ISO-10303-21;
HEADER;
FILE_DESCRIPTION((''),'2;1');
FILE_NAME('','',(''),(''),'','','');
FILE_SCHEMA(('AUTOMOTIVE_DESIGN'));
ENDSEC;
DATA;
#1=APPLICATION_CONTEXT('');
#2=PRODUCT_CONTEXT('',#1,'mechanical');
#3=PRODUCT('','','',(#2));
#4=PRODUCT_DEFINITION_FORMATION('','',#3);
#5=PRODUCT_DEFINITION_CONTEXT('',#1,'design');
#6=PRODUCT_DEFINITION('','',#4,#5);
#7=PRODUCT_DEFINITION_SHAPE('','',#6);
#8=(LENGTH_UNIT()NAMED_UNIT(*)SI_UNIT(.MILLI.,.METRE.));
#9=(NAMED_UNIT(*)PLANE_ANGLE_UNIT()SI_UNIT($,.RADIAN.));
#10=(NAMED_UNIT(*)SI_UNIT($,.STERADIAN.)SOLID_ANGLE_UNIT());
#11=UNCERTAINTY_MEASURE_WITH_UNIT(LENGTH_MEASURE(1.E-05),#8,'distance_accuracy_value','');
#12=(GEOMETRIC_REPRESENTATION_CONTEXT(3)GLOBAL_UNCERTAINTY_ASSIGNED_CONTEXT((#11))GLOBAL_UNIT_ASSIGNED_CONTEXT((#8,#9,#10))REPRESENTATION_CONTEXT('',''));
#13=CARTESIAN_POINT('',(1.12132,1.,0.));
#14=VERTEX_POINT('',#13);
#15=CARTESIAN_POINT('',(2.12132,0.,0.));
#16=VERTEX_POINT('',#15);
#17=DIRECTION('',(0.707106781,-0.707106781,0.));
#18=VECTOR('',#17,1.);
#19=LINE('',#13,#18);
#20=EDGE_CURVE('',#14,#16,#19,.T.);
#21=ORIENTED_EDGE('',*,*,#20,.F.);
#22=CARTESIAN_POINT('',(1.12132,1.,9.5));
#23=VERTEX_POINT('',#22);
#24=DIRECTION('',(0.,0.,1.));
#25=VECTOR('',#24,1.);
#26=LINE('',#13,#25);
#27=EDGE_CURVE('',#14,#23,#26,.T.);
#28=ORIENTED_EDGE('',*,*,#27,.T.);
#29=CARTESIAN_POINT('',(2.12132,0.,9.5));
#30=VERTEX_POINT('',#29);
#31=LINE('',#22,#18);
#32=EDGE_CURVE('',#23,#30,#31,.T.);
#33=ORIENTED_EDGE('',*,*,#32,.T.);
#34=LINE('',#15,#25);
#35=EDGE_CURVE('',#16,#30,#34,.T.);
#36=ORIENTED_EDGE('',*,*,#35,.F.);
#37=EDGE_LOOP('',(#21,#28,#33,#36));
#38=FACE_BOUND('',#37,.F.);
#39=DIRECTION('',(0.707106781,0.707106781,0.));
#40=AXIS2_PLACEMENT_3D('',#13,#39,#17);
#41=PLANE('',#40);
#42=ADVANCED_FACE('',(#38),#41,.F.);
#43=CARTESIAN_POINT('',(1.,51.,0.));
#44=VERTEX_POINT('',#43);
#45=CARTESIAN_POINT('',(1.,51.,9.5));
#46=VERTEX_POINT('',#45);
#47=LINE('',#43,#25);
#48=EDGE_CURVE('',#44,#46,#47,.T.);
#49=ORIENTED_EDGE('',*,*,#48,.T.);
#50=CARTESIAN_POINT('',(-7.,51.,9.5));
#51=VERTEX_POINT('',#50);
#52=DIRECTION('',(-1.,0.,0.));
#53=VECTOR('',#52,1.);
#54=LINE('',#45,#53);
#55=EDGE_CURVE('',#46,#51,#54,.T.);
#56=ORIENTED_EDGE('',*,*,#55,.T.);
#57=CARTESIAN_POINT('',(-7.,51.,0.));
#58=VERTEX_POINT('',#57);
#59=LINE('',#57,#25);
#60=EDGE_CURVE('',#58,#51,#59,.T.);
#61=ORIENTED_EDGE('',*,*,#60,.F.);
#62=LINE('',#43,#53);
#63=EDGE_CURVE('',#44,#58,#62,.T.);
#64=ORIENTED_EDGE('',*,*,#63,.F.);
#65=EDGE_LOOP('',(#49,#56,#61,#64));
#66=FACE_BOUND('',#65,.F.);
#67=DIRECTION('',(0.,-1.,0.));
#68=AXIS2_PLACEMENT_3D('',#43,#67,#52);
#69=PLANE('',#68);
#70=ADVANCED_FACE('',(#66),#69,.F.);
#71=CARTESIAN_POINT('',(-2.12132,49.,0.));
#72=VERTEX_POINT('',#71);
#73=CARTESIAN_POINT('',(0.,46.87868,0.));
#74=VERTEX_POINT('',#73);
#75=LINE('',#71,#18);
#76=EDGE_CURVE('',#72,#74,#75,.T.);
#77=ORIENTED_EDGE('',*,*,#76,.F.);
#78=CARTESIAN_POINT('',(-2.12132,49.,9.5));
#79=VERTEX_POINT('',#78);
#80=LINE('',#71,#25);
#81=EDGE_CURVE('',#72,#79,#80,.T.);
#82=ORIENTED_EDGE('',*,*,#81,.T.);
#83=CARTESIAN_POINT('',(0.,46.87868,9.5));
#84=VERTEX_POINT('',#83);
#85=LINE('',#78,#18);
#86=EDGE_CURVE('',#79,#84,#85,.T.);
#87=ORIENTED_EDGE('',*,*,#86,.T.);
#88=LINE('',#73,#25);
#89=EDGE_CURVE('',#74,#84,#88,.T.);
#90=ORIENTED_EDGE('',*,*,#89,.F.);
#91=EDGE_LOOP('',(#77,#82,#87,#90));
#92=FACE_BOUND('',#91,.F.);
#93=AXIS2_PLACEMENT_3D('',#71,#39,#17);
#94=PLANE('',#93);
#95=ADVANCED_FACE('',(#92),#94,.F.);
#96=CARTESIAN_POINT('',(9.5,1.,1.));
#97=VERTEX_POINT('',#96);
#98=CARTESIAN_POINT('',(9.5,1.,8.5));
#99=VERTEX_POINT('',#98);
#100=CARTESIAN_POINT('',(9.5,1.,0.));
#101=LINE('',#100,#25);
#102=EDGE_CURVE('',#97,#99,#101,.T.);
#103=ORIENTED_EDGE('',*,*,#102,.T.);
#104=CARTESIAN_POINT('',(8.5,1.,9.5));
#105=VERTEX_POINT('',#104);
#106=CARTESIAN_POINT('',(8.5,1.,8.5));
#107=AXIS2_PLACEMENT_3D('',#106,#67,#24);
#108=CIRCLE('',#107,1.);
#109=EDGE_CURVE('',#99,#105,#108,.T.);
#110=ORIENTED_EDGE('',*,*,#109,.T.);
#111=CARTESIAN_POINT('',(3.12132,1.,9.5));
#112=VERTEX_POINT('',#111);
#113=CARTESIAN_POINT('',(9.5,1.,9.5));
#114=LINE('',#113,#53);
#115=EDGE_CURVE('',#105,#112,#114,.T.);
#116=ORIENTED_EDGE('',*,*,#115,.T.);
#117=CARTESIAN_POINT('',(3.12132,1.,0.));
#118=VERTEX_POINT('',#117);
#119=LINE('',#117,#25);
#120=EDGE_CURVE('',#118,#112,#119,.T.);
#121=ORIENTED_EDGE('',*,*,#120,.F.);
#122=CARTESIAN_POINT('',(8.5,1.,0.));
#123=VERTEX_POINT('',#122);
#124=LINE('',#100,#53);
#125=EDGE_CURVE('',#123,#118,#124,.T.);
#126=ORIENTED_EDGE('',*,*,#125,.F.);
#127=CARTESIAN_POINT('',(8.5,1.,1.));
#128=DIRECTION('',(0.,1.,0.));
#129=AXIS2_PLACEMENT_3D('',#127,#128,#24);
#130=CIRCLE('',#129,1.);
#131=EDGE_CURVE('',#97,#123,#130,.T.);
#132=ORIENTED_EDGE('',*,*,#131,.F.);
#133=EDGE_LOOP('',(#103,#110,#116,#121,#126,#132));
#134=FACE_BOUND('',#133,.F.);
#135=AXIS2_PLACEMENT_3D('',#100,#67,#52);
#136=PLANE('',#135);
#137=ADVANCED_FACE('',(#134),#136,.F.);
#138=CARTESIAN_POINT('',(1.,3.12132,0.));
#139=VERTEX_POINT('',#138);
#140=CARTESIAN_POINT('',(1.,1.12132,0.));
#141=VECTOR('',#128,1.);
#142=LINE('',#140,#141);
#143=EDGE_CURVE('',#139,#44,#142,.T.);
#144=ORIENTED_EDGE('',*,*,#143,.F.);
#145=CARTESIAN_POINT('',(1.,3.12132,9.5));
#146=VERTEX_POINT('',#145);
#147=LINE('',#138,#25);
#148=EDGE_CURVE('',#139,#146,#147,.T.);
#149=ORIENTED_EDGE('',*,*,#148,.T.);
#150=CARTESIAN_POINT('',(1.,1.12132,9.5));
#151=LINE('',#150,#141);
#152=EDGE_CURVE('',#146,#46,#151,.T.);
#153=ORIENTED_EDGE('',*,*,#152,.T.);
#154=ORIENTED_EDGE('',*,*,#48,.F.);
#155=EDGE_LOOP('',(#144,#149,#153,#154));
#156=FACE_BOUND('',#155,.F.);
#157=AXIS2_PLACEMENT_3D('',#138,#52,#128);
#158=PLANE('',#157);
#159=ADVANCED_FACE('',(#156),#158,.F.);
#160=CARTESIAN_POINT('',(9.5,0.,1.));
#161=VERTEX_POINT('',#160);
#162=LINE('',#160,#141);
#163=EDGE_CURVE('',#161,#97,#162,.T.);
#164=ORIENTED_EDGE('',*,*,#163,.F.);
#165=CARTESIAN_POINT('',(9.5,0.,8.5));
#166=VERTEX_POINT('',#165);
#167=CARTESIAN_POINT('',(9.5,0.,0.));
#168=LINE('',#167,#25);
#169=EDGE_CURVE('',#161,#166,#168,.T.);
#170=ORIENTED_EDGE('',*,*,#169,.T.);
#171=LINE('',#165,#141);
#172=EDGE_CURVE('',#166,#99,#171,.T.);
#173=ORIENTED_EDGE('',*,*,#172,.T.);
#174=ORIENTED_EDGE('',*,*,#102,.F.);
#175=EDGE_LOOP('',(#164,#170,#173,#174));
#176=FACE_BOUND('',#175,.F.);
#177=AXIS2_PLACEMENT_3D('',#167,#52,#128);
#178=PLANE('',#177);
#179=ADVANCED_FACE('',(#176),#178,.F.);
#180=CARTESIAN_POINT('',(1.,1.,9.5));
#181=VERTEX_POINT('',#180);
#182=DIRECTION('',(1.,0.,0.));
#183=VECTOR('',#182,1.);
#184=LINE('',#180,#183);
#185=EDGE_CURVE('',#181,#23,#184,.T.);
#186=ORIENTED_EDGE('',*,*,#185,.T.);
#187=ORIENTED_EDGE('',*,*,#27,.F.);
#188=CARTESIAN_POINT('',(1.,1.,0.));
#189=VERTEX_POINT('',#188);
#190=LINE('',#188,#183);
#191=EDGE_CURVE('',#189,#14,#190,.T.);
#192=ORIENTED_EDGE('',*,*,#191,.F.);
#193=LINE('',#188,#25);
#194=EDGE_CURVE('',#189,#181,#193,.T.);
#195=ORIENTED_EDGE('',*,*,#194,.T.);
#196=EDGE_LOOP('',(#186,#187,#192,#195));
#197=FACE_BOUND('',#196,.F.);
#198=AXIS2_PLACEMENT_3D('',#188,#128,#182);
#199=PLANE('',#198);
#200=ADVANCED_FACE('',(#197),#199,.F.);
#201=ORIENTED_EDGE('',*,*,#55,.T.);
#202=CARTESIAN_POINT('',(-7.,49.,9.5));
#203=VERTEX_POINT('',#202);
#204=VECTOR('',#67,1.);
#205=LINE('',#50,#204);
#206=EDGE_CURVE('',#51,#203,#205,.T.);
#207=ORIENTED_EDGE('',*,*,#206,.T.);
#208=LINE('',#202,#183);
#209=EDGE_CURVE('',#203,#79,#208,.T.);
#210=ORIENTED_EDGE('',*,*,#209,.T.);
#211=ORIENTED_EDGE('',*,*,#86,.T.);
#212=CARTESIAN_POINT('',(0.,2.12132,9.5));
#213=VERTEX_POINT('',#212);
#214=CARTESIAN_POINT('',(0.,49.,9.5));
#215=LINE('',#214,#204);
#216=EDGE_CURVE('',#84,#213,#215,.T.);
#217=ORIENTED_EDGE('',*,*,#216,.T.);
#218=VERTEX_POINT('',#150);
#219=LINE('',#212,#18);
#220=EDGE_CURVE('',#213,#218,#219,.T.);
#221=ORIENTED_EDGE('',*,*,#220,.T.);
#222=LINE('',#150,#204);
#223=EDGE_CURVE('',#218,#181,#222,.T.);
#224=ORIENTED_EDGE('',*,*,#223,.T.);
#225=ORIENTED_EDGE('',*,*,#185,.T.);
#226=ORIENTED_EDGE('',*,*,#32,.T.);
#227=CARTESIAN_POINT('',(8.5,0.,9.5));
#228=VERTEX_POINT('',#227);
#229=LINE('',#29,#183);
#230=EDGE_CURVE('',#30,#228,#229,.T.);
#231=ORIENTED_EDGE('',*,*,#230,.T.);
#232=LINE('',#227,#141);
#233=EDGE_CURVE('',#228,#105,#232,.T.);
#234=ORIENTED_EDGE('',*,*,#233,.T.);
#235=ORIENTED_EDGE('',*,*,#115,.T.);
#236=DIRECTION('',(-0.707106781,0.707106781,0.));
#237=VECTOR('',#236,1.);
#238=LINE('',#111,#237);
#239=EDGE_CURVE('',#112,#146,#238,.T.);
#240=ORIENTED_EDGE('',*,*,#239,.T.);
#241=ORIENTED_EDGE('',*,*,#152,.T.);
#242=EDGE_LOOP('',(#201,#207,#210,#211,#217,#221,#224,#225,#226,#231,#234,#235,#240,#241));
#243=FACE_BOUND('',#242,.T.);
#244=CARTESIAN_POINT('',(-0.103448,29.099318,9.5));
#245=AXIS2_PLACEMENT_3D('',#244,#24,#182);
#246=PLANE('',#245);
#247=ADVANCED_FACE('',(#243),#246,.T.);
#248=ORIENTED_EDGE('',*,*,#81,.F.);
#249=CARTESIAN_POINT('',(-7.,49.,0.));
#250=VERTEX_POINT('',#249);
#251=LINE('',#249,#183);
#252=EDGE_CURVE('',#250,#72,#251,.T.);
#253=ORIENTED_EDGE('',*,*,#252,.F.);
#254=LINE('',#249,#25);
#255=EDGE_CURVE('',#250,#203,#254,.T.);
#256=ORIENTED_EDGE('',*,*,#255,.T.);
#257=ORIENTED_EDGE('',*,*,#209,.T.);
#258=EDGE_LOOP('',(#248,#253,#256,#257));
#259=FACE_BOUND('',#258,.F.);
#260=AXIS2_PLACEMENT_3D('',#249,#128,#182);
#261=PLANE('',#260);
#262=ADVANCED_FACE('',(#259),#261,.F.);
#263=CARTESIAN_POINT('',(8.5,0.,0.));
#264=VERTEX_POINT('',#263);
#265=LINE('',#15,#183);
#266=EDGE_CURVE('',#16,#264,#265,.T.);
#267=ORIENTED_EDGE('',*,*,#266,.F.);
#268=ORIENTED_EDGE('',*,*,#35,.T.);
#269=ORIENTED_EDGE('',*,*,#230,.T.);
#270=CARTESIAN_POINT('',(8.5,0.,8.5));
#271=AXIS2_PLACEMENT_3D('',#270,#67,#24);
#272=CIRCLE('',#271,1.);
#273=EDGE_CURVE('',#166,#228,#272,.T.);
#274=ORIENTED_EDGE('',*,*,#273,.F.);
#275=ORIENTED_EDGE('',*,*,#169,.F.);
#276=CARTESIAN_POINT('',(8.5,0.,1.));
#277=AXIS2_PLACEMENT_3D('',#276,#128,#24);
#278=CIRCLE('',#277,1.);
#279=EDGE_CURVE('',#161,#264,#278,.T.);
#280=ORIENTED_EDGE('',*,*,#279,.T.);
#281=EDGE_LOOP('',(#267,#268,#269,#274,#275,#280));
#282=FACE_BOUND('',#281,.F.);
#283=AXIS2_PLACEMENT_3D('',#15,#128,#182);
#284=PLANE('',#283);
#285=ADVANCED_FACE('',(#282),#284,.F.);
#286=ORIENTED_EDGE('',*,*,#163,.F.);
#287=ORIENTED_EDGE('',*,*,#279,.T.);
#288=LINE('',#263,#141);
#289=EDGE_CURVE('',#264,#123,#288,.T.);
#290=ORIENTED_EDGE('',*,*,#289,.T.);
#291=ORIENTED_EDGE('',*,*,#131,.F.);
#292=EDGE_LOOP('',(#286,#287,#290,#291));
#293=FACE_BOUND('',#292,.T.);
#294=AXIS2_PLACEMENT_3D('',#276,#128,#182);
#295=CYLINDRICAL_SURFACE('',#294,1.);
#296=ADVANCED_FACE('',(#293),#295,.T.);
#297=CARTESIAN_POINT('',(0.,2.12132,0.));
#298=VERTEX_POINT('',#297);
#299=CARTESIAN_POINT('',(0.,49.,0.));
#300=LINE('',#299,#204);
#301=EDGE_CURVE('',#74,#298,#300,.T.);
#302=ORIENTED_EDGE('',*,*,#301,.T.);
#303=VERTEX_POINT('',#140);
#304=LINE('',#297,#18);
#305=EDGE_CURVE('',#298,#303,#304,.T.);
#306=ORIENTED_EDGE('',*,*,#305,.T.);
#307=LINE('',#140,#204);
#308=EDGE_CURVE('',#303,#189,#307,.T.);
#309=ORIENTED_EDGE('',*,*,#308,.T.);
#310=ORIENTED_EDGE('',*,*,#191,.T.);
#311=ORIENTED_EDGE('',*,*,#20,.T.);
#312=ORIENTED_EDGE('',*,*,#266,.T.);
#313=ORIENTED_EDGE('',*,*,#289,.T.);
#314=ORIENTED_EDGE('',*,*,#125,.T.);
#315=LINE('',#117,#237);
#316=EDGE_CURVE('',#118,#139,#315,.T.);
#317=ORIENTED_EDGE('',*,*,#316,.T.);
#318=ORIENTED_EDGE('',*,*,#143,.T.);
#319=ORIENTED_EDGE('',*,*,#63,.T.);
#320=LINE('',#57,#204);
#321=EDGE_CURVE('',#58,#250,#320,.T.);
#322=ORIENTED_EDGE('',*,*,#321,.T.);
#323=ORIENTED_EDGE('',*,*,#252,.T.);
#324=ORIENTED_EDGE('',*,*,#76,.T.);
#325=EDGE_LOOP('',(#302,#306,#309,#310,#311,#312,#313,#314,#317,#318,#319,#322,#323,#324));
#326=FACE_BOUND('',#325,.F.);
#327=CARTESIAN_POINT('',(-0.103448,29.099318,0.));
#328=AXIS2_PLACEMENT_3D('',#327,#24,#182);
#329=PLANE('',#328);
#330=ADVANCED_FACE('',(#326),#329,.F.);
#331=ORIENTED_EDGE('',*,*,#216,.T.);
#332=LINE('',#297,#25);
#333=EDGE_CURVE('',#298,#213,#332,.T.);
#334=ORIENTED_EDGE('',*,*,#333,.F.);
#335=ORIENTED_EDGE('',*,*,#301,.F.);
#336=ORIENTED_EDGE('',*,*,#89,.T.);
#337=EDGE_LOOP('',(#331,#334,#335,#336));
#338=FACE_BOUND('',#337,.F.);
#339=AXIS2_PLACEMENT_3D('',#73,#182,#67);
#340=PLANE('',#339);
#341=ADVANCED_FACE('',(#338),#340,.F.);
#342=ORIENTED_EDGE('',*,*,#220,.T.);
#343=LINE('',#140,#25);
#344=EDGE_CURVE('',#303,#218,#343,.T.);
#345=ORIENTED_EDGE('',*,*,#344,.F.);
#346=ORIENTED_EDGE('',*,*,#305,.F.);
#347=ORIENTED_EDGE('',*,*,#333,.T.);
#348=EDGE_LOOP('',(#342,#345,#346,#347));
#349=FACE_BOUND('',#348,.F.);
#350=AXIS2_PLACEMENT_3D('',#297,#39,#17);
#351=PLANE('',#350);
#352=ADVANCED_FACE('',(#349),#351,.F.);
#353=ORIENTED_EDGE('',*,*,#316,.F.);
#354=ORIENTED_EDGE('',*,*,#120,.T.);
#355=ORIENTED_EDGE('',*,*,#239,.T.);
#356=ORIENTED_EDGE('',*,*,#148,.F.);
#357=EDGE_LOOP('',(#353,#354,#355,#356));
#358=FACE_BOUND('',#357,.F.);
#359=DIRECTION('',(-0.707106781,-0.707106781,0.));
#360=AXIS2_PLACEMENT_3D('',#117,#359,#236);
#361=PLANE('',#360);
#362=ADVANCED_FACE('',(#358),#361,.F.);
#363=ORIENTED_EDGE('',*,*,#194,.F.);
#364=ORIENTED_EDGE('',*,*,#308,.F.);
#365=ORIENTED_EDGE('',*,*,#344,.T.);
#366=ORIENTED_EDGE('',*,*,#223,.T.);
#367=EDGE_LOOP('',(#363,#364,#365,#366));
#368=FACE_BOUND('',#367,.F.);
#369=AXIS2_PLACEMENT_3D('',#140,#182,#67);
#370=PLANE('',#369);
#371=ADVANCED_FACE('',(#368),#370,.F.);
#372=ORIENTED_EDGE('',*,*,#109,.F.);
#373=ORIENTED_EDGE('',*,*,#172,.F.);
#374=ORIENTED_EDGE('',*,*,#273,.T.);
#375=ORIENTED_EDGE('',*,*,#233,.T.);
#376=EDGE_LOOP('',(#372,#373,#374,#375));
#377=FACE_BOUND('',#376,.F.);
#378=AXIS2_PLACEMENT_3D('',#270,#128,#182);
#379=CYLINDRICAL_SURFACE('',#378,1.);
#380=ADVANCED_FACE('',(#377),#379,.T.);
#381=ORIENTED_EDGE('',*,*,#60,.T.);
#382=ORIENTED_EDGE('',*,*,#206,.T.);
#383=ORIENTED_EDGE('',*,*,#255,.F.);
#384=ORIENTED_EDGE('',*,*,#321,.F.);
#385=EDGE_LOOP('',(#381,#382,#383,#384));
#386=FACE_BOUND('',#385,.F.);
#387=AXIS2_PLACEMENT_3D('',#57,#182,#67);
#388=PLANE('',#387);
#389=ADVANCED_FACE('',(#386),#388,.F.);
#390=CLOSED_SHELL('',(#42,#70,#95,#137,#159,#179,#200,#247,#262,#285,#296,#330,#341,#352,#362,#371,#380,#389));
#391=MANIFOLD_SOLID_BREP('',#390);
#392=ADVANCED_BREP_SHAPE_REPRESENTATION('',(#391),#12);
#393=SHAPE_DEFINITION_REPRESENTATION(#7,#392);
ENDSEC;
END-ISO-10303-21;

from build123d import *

# Parameters (mm, degrees)
F1_DEPTH = 9.5
F2_R     = 1


with BuildPart() as f1:
    # F0 (on Top) → F1 (new body)
    with BuildSketch(Plane.XY):
        Polygon((-2.12132, 49), (0, 49), (0, 46.87868), (0, 2.12132), (1, 1.12132), (1, 3.12132), (1, 51), (-7, 51), (-7, 49), align=None)
        Polygon((0, 46.87868), (0, 49), (-2.12132, 49), align=None)
        Polygon((1.12132, 1), (1, 1.12132), (1, 1), align=None)
        Polygon((1, 3.12132), (1, 1.12132), (1.12132, 1), (3.12132, 1), align=None)
        Polygon((3.12132, 1), (1.12132, 1), (2.12132, 0), (9.5, 0), (9.5, 1), align=None)
    extrude(amount=F1_DEPTH)

    # F2
    f2_edges = [f1.edges().sort_by_distance(p)[0] for p in [
        (9.5, 0.5, 9.5),
        (9.5, 0.5, 0),
    ]]
    fillet(f2_edges, radius=F2_R)


solid = f1.part
